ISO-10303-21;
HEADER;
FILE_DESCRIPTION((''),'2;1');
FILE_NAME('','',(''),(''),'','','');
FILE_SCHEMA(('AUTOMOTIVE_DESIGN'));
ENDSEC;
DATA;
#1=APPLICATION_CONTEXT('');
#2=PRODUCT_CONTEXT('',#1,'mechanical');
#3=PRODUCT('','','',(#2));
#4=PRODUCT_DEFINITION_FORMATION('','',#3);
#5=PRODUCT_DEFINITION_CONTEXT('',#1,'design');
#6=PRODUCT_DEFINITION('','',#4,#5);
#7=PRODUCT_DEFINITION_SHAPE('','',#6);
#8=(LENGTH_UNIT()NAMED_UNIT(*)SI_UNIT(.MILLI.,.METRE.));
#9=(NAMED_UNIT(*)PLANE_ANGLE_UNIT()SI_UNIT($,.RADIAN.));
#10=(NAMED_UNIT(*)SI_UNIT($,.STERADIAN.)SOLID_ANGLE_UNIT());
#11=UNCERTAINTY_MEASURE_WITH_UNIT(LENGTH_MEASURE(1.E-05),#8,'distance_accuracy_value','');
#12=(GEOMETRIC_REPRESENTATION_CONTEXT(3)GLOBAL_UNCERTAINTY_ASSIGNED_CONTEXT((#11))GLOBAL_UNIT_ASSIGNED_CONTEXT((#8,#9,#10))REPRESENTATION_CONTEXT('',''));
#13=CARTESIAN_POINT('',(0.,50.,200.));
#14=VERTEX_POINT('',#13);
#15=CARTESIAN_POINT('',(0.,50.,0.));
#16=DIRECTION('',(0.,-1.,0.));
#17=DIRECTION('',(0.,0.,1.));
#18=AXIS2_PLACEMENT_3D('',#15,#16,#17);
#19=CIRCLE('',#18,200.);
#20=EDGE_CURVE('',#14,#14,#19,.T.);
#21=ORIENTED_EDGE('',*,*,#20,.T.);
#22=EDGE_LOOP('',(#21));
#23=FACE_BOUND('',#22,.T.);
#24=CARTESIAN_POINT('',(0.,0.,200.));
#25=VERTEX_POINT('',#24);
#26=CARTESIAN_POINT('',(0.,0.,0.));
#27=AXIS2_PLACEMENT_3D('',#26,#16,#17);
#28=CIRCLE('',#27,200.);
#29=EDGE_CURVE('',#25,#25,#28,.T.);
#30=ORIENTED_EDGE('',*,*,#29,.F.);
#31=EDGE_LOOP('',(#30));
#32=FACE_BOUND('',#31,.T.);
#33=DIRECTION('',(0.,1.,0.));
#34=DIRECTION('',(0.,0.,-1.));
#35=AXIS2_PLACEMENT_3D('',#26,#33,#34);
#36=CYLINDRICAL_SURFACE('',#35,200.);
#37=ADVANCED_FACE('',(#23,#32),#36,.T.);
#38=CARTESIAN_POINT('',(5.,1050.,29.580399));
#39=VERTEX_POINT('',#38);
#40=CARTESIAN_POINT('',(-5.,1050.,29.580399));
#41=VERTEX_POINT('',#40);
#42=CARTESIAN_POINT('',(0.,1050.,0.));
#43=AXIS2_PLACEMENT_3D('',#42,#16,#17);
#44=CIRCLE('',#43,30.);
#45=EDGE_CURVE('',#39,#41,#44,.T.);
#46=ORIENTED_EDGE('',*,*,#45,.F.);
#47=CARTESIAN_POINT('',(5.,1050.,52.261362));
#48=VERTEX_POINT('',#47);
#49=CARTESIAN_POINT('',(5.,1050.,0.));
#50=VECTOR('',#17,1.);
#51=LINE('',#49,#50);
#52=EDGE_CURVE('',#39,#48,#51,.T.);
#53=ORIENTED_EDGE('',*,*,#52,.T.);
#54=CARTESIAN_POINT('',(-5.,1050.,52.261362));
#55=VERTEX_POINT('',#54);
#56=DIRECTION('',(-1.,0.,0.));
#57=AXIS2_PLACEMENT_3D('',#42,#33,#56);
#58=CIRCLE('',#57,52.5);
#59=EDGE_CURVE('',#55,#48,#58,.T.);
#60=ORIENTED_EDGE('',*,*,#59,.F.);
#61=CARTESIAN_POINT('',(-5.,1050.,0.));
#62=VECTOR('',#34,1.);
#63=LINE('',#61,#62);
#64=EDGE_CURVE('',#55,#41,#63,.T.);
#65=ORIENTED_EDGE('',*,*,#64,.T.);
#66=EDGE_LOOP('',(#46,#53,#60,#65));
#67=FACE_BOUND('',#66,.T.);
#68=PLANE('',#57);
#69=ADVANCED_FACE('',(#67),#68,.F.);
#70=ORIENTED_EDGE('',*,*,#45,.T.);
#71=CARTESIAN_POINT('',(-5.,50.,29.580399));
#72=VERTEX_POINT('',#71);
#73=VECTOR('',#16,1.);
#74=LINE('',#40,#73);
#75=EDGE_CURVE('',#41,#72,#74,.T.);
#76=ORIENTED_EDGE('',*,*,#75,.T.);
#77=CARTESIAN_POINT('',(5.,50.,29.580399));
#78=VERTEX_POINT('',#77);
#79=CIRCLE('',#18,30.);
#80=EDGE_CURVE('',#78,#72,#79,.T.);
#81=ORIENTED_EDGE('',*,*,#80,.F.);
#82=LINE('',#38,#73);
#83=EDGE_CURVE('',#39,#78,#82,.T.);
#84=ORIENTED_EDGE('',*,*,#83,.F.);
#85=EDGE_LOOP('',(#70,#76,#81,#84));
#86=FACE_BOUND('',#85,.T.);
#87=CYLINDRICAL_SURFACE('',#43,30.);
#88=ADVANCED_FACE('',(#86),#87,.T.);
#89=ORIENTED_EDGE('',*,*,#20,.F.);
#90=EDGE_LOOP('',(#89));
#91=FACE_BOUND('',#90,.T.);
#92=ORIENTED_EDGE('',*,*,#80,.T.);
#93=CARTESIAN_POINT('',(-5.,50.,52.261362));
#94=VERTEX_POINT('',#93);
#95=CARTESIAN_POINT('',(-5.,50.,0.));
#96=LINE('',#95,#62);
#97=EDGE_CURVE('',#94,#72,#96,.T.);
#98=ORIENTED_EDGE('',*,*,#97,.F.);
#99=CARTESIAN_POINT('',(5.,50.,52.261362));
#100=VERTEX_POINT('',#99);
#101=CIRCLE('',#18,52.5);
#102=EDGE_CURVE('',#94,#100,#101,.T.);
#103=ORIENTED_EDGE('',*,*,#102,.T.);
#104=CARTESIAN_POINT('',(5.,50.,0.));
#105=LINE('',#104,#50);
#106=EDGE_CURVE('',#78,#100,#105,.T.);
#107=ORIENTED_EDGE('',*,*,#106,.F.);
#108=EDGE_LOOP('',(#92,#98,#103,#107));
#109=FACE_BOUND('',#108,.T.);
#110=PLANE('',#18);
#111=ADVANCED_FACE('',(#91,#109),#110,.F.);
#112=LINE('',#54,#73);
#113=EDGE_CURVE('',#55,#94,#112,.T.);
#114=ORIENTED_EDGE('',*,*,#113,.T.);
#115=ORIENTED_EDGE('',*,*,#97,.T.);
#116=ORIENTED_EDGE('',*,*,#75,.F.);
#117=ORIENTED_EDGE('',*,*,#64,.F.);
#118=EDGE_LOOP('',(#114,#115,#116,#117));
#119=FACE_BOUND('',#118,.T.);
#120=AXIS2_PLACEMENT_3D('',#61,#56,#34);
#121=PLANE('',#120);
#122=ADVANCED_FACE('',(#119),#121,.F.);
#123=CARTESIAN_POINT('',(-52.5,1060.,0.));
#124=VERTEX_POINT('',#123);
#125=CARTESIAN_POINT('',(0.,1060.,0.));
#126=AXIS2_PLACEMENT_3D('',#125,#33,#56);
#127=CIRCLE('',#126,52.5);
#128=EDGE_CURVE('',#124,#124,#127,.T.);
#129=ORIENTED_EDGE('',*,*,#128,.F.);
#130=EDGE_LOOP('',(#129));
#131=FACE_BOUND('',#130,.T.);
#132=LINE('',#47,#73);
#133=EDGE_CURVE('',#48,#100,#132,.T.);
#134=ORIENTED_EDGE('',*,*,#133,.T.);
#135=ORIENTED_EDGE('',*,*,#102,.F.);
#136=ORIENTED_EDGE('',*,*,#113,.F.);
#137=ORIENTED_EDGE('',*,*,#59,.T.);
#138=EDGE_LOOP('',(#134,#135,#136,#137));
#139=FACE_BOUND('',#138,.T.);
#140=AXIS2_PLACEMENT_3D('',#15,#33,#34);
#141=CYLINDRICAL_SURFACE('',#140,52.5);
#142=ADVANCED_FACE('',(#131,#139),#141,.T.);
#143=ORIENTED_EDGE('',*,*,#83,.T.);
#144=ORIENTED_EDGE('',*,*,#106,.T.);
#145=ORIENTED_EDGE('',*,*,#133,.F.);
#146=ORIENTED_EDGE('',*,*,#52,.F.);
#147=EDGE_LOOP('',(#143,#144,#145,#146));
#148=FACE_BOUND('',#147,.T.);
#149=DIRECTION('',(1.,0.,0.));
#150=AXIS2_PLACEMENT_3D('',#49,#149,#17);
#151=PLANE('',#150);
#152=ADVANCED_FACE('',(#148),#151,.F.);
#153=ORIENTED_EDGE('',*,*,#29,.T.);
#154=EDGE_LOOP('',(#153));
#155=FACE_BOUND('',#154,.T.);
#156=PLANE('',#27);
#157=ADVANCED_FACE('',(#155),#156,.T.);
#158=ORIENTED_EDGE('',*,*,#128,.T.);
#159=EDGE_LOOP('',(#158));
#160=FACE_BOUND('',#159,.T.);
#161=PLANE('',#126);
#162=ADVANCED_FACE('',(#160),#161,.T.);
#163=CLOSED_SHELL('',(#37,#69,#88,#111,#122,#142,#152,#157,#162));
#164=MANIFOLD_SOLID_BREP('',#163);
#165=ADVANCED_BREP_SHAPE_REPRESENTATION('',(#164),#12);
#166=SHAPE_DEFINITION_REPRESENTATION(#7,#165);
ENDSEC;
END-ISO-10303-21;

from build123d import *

# Parameters (mm, degrees)
ESQUISSE2_R                  = 52.5
CYLINDRE_DEPTH               = 1000
FENTE_DEPTH                  = 1003.752461977
ESQUISSE4_R                  = 200
SOCLE_DEPTH                  = 50
CORPS_D_PLACER_COPIER1_ANGLE = 180
BOSS_EXTRU_4_START           = 10
ESQUISSE5_R                  = 52.5
BOSS_EXTRU_4_DEPTH           = 10


with BuildPart() as part:
    # Esquisse2 → Cylindre (new body)
    with BuildSketch(Plane(origin=(0, 0, 0), x_dir=(1, 0, 0), z_dir=(0, 1, 0))):
        with Locations(Location((0, 0, 0), (0, 0, 270))):
            Circle(ESQUISSE2_R)
    extrude(amount=CYLINDRE_DEPTH)

    # Esquisse3 → Fente (cut, through all)
    with BuildSketch(Plane(origin=(0, 1000, 0), x_dir=(1, 0, 0), z_dir=(0, 1, 0))):
        with BuildLine():
            Line((0, -52.5), (0, -30))
            ThreePointArc((0, -30), (-2.508787808, -29.894915684), (-5, -29.580398915))
            Line((-5, -29.580398915), (-5, -52.261362401))
            ThreePointArc((-5, -52.261362401), (-2.502845775, -52.440306664), (0, -52.5))
        make_face()
        with BuildLine():
            Line((5, -52.261362401), (5, -29.580398915))
            ThreePointArc((5, -29.580398915), (2.508787808, -29.894915684), (0, -30))
            Line((0, -30), (0, -52.5))
            ThreePointArc((0, -52.5), (2.502845775, -52.440306664), (5, -52.261362401))
        make_face()
    extrude(amount=-FENTE_DEPTH, mode=Mode.SUBTRACT)

    # Esquisse4 → Socle (add)
    with BuildSketch(Plane(origin=(0, 1000, 0), x_dir=(1, 0, 0), z_dir=(0, 1, 0))):
        with Locations(Location((0, 0, 0), (0, 0, 270))):
            Circle(ESQUISSE4_R)
    extrude(amount=SOCLE_DEPTH)


with BuildPart() as part_1:
    # Corps-Déplacer/Copier1: moved
    add(part.part.rotate(Axis((0, 525, 0), (0, 0, 1)), CORPS_D_PLACER_COPIER1_ANGLE))

    # Esquisse5 → Boss.-Extru.4 (add)
    with BuildSketch(Plane(origin=(0, 1050, 0), x_dir=(1, 0, 0), z_dir=(0, 1, 0)).offset(BOSS_EXTRU_4_START)):
        with Locations(Location((0, 0, 0), (0, 0, 180))):
            Circle(ESQUISSE5_R)
    extrude(amount=-BOSS_EXTRU_4_DEPTH)


solid = part_1.part
